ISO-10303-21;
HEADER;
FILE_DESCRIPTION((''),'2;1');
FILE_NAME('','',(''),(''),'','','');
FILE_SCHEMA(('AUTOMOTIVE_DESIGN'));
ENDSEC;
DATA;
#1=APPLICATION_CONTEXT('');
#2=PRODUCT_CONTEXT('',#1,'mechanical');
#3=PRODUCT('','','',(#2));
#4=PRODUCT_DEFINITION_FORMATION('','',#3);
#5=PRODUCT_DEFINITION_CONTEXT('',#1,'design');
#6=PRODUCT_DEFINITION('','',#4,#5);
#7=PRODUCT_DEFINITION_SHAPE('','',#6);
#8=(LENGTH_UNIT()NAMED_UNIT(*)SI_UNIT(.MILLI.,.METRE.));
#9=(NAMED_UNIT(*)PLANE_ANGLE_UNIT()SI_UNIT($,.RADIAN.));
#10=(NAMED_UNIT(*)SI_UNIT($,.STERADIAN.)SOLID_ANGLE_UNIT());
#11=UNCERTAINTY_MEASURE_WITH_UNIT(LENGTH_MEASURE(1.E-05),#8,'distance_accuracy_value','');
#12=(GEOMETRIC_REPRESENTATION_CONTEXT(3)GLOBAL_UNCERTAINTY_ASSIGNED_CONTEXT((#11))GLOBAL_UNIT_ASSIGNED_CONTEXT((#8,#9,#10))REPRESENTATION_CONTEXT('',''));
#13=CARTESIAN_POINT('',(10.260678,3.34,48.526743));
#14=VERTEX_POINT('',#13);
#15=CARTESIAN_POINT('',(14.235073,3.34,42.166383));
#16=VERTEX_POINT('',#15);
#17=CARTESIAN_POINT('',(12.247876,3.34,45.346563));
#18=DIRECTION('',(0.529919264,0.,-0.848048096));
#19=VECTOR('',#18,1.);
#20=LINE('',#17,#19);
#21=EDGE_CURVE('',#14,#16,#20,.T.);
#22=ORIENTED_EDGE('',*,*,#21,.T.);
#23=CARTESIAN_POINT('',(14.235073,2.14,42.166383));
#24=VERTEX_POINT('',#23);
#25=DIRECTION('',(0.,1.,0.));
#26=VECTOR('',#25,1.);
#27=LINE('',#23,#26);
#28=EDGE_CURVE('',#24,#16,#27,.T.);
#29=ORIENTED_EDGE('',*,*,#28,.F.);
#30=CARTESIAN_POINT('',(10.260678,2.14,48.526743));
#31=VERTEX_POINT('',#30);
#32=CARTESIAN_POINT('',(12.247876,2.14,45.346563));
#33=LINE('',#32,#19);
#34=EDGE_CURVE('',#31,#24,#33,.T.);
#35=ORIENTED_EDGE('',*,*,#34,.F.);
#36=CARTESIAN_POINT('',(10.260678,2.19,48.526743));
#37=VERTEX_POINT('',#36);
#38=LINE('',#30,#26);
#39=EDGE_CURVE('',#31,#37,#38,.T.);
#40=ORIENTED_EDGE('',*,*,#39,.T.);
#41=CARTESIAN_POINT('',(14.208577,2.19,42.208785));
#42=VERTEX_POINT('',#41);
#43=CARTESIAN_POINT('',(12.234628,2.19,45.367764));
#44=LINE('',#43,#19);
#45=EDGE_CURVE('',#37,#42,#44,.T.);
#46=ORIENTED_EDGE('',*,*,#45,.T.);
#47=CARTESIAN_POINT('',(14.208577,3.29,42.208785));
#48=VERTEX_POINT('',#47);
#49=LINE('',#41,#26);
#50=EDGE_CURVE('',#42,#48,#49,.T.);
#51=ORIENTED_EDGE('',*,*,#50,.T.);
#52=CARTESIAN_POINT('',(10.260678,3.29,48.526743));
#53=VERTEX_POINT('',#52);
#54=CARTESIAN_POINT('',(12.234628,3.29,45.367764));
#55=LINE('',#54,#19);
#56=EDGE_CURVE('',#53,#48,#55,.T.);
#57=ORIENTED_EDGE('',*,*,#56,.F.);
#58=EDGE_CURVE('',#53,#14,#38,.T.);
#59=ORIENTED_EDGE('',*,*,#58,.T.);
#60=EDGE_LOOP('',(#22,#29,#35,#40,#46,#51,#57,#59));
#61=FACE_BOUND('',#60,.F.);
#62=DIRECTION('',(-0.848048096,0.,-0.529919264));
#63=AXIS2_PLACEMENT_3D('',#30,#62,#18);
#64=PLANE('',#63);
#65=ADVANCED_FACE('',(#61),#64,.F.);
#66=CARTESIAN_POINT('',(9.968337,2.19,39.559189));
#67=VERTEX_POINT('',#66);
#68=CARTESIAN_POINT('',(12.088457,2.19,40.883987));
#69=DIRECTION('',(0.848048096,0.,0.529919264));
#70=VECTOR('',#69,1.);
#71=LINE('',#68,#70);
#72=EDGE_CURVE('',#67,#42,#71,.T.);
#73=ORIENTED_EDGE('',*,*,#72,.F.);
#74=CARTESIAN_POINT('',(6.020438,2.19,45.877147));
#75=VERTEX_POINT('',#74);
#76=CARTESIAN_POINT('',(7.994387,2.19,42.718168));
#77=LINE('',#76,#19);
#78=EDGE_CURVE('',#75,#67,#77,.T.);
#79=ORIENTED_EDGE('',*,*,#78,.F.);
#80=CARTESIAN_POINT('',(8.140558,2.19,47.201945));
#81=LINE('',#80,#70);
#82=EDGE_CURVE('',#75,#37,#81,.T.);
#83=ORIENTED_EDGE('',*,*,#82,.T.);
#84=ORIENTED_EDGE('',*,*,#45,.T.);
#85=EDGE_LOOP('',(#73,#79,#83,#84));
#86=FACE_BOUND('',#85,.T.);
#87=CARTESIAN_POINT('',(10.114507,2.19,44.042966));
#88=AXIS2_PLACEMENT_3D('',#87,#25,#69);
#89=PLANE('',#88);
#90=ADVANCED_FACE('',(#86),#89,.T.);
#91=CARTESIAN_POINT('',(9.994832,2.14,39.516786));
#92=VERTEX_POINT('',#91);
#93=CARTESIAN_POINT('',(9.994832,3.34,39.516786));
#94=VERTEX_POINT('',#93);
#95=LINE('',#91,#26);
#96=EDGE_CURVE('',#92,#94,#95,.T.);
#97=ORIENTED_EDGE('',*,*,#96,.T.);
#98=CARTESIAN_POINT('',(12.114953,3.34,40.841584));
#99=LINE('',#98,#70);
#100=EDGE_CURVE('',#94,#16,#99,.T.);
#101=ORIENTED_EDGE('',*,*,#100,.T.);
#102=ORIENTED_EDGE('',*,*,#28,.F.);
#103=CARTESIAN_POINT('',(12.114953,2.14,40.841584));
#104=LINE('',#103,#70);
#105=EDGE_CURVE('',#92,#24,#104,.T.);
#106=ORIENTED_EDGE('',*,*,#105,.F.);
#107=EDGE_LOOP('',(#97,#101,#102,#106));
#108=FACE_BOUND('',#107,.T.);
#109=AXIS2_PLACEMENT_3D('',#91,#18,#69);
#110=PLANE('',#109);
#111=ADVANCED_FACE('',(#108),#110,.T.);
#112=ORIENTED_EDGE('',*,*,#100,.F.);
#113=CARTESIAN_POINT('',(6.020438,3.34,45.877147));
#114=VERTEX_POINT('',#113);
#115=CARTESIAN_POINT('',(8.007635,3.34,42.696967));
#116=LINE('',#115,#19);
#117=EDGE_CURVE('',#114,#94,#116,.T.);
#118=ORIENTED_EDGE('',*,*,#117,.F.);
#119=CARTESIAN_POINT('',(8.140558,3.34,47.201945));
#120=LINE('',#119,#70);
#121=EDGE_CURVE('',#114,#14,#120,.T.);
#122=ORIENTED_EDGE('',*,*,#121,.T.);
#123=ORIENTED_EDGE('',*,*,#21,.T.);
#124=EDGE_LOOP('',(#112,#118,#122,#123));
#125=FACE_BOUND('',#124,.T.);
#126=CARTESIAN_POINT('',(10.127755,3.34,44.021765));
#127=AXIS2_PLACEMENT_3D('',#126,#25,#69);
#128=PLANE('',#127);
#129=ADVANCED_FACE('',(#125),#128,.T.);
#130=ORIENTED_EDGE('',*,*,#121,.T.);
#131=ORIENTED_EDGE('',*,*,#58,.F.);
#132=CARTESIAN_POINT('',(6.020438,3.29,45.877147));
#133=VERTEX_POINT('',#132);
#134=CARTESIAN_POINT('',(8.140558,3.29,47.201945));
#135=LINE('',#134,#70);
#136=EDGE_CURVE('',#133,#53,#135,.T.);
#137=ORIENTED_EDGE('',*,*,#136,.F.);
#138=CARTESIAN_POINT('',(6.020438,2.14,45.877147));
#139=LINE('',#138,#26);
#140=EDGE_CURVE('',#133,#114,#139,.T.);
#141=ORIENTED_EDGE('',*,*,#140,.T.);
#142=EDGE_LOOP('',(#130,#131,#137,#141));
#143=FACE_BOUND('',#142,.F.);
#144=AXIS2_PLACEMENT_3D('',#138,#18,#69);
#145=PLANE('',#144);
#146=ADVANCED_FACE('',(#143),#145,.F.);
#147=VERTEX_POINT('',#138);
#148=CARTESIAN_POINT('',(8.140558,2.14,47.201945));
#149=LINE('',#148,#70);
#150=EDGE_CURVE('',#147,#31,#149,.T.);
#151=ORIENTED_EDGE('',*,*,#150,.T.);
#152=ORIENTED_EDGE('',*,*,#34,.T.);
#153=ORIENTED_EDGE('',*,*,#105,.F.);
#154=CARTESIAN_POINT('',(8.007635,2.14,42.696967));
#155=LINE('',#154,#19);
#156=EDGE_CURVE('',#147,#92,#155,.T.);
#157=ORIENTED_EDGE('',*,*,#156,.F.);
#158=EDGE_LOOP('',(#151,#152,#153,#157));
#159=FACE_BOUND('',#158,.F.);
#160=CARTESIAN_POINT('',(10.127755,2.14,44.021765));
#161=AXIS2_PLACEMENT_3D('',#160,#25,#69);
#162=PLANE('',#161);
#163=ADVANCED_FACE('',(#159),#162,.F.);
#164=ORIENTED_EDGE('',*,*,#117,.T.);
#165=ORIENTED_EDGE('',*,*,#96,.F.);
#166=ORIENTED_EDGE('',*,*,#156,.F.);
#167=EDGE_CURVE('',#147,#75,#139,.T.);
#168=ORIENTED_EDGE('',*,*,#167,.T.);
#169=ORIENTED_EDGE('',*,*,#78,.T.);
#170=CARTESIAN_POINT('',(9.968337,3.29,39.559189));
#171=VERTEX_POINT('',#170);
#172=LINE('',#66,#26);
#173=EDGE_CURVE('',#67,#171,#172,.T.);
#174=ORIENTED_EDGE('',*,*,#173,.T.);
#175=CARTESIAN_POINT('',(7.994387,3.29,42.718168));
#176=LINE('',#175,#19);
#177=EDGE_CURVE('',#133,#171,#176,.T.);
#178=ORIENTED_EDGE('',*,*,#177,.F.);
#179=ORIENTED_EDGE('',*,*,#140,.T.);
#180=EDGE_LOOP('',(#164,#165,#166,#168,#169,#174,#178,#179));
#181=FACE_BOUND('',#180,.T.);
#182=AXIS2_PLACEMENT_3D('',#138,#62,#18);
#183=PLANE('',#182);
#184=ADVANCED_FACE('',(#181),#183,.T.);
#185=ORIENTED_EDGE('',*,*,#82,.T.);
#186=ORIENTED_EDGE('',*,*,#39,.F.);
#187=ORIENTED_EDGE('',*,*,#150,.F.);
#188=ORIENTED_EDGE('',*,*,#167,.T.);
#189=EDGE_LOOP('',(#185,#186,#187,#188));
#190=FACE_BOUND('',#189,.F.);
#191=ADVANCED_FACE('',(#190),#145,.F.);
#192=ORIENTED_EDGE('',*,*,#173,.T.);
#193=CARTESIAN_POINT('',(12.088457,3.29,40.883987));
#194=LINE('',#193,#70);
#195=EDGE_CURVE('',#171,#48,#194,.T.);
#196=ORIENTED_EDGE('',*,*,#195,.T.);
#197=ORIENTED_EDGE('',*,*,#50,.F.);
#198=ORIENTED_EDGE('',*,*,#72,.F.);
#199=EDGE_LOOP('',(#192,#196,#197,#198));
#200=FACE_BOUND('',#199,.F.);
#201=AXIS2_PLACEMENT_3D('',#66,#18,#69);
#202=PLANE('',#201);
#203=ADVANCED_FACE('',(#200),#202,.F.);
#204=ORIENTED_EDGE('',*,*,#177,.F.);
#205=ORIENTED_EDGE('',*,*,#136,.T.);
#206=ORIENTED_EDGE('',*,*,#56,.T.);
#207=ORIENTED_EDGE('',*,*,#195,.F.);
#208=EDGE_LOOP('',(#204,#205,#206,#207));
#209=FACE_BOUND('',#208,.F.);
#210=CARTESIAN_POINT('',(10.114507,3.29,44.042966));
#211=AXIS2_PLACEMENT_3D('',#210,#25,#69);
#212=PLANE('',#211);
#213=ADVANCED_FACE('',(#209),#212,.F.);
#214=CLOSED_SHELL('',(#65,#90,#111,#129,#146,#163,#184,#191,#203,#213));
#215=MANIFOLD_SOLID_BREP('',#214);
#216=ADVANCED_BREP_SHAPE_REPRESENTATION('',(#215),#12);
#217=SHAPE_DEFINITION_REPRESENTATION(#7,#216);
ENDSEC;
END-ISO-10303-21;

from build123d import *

# Parameters (mm, degrees)
BOX161_W           = 5
BOX161_H           = 7.45
BOX161_DEPTH       = 1.1
BOX160_W           = 5
BOX160_H           = 7.5
BOX160_DEPTH       = 1.2
CUT078_ROLL_ANGLE  = -90
CUT078_PITCH_ANGLE = -32


with BuildPart() as small_cu_gnd_electrode066:
    # Box161 → Box161 (new body)
    with BuildSketch(Plane.XY.offset(0.05)):
        with Locations((2.5, 3.725)):
            Rectangle(BOX161_W, BOX161_H)
    extrude(amount=BOX161_DEPTH)


with BuildPart() as small_cu_electrode001_long_axis_v007:
    # Box160 → Box160 (new body)
    with BuildSketch(Plane.XY):
        with Locations((2.5, 3.75)):
            Rectangle(BOX160_W, BOX160_H)
    extrude(amount=BOX160_DEPTH)

    # Cut078: cut Small Cu GND Electrode066
    add(small_cu_gnd_electrode066.part, mode=Mode.SUBTRACT)


with BuildPart() as small_cu_electrode001_long_axis_v007_1:
    # Cut078 roll: moved
    add(small_cu_electrode001_long_axis_v007.part.rotate(Axis((0, 0, 0), (1, 0, 0)), CUT078_ROLL_ANGLE))


with BuildPart() as small_cu_electrode001_long_axis_v007_2:
    # Cut078 pitch: moved
    add(small_cu_electrode001_long_axis_v007_1.part.rotate(Axis((0, 0, 0), (0, 1, 0)), CUT078_PITCH_ANGLE))


with BuildPart() as small_cu_electrode001_long_axis_v007_3:
    # Cut078 placement: moved
    add(small_cu_electrode001_long_axis_v007_2.part.moved(Location((6.020438, 2.14, 45.877147))))


solid = small_cu_electrode001_long_axis_v007_3.part
